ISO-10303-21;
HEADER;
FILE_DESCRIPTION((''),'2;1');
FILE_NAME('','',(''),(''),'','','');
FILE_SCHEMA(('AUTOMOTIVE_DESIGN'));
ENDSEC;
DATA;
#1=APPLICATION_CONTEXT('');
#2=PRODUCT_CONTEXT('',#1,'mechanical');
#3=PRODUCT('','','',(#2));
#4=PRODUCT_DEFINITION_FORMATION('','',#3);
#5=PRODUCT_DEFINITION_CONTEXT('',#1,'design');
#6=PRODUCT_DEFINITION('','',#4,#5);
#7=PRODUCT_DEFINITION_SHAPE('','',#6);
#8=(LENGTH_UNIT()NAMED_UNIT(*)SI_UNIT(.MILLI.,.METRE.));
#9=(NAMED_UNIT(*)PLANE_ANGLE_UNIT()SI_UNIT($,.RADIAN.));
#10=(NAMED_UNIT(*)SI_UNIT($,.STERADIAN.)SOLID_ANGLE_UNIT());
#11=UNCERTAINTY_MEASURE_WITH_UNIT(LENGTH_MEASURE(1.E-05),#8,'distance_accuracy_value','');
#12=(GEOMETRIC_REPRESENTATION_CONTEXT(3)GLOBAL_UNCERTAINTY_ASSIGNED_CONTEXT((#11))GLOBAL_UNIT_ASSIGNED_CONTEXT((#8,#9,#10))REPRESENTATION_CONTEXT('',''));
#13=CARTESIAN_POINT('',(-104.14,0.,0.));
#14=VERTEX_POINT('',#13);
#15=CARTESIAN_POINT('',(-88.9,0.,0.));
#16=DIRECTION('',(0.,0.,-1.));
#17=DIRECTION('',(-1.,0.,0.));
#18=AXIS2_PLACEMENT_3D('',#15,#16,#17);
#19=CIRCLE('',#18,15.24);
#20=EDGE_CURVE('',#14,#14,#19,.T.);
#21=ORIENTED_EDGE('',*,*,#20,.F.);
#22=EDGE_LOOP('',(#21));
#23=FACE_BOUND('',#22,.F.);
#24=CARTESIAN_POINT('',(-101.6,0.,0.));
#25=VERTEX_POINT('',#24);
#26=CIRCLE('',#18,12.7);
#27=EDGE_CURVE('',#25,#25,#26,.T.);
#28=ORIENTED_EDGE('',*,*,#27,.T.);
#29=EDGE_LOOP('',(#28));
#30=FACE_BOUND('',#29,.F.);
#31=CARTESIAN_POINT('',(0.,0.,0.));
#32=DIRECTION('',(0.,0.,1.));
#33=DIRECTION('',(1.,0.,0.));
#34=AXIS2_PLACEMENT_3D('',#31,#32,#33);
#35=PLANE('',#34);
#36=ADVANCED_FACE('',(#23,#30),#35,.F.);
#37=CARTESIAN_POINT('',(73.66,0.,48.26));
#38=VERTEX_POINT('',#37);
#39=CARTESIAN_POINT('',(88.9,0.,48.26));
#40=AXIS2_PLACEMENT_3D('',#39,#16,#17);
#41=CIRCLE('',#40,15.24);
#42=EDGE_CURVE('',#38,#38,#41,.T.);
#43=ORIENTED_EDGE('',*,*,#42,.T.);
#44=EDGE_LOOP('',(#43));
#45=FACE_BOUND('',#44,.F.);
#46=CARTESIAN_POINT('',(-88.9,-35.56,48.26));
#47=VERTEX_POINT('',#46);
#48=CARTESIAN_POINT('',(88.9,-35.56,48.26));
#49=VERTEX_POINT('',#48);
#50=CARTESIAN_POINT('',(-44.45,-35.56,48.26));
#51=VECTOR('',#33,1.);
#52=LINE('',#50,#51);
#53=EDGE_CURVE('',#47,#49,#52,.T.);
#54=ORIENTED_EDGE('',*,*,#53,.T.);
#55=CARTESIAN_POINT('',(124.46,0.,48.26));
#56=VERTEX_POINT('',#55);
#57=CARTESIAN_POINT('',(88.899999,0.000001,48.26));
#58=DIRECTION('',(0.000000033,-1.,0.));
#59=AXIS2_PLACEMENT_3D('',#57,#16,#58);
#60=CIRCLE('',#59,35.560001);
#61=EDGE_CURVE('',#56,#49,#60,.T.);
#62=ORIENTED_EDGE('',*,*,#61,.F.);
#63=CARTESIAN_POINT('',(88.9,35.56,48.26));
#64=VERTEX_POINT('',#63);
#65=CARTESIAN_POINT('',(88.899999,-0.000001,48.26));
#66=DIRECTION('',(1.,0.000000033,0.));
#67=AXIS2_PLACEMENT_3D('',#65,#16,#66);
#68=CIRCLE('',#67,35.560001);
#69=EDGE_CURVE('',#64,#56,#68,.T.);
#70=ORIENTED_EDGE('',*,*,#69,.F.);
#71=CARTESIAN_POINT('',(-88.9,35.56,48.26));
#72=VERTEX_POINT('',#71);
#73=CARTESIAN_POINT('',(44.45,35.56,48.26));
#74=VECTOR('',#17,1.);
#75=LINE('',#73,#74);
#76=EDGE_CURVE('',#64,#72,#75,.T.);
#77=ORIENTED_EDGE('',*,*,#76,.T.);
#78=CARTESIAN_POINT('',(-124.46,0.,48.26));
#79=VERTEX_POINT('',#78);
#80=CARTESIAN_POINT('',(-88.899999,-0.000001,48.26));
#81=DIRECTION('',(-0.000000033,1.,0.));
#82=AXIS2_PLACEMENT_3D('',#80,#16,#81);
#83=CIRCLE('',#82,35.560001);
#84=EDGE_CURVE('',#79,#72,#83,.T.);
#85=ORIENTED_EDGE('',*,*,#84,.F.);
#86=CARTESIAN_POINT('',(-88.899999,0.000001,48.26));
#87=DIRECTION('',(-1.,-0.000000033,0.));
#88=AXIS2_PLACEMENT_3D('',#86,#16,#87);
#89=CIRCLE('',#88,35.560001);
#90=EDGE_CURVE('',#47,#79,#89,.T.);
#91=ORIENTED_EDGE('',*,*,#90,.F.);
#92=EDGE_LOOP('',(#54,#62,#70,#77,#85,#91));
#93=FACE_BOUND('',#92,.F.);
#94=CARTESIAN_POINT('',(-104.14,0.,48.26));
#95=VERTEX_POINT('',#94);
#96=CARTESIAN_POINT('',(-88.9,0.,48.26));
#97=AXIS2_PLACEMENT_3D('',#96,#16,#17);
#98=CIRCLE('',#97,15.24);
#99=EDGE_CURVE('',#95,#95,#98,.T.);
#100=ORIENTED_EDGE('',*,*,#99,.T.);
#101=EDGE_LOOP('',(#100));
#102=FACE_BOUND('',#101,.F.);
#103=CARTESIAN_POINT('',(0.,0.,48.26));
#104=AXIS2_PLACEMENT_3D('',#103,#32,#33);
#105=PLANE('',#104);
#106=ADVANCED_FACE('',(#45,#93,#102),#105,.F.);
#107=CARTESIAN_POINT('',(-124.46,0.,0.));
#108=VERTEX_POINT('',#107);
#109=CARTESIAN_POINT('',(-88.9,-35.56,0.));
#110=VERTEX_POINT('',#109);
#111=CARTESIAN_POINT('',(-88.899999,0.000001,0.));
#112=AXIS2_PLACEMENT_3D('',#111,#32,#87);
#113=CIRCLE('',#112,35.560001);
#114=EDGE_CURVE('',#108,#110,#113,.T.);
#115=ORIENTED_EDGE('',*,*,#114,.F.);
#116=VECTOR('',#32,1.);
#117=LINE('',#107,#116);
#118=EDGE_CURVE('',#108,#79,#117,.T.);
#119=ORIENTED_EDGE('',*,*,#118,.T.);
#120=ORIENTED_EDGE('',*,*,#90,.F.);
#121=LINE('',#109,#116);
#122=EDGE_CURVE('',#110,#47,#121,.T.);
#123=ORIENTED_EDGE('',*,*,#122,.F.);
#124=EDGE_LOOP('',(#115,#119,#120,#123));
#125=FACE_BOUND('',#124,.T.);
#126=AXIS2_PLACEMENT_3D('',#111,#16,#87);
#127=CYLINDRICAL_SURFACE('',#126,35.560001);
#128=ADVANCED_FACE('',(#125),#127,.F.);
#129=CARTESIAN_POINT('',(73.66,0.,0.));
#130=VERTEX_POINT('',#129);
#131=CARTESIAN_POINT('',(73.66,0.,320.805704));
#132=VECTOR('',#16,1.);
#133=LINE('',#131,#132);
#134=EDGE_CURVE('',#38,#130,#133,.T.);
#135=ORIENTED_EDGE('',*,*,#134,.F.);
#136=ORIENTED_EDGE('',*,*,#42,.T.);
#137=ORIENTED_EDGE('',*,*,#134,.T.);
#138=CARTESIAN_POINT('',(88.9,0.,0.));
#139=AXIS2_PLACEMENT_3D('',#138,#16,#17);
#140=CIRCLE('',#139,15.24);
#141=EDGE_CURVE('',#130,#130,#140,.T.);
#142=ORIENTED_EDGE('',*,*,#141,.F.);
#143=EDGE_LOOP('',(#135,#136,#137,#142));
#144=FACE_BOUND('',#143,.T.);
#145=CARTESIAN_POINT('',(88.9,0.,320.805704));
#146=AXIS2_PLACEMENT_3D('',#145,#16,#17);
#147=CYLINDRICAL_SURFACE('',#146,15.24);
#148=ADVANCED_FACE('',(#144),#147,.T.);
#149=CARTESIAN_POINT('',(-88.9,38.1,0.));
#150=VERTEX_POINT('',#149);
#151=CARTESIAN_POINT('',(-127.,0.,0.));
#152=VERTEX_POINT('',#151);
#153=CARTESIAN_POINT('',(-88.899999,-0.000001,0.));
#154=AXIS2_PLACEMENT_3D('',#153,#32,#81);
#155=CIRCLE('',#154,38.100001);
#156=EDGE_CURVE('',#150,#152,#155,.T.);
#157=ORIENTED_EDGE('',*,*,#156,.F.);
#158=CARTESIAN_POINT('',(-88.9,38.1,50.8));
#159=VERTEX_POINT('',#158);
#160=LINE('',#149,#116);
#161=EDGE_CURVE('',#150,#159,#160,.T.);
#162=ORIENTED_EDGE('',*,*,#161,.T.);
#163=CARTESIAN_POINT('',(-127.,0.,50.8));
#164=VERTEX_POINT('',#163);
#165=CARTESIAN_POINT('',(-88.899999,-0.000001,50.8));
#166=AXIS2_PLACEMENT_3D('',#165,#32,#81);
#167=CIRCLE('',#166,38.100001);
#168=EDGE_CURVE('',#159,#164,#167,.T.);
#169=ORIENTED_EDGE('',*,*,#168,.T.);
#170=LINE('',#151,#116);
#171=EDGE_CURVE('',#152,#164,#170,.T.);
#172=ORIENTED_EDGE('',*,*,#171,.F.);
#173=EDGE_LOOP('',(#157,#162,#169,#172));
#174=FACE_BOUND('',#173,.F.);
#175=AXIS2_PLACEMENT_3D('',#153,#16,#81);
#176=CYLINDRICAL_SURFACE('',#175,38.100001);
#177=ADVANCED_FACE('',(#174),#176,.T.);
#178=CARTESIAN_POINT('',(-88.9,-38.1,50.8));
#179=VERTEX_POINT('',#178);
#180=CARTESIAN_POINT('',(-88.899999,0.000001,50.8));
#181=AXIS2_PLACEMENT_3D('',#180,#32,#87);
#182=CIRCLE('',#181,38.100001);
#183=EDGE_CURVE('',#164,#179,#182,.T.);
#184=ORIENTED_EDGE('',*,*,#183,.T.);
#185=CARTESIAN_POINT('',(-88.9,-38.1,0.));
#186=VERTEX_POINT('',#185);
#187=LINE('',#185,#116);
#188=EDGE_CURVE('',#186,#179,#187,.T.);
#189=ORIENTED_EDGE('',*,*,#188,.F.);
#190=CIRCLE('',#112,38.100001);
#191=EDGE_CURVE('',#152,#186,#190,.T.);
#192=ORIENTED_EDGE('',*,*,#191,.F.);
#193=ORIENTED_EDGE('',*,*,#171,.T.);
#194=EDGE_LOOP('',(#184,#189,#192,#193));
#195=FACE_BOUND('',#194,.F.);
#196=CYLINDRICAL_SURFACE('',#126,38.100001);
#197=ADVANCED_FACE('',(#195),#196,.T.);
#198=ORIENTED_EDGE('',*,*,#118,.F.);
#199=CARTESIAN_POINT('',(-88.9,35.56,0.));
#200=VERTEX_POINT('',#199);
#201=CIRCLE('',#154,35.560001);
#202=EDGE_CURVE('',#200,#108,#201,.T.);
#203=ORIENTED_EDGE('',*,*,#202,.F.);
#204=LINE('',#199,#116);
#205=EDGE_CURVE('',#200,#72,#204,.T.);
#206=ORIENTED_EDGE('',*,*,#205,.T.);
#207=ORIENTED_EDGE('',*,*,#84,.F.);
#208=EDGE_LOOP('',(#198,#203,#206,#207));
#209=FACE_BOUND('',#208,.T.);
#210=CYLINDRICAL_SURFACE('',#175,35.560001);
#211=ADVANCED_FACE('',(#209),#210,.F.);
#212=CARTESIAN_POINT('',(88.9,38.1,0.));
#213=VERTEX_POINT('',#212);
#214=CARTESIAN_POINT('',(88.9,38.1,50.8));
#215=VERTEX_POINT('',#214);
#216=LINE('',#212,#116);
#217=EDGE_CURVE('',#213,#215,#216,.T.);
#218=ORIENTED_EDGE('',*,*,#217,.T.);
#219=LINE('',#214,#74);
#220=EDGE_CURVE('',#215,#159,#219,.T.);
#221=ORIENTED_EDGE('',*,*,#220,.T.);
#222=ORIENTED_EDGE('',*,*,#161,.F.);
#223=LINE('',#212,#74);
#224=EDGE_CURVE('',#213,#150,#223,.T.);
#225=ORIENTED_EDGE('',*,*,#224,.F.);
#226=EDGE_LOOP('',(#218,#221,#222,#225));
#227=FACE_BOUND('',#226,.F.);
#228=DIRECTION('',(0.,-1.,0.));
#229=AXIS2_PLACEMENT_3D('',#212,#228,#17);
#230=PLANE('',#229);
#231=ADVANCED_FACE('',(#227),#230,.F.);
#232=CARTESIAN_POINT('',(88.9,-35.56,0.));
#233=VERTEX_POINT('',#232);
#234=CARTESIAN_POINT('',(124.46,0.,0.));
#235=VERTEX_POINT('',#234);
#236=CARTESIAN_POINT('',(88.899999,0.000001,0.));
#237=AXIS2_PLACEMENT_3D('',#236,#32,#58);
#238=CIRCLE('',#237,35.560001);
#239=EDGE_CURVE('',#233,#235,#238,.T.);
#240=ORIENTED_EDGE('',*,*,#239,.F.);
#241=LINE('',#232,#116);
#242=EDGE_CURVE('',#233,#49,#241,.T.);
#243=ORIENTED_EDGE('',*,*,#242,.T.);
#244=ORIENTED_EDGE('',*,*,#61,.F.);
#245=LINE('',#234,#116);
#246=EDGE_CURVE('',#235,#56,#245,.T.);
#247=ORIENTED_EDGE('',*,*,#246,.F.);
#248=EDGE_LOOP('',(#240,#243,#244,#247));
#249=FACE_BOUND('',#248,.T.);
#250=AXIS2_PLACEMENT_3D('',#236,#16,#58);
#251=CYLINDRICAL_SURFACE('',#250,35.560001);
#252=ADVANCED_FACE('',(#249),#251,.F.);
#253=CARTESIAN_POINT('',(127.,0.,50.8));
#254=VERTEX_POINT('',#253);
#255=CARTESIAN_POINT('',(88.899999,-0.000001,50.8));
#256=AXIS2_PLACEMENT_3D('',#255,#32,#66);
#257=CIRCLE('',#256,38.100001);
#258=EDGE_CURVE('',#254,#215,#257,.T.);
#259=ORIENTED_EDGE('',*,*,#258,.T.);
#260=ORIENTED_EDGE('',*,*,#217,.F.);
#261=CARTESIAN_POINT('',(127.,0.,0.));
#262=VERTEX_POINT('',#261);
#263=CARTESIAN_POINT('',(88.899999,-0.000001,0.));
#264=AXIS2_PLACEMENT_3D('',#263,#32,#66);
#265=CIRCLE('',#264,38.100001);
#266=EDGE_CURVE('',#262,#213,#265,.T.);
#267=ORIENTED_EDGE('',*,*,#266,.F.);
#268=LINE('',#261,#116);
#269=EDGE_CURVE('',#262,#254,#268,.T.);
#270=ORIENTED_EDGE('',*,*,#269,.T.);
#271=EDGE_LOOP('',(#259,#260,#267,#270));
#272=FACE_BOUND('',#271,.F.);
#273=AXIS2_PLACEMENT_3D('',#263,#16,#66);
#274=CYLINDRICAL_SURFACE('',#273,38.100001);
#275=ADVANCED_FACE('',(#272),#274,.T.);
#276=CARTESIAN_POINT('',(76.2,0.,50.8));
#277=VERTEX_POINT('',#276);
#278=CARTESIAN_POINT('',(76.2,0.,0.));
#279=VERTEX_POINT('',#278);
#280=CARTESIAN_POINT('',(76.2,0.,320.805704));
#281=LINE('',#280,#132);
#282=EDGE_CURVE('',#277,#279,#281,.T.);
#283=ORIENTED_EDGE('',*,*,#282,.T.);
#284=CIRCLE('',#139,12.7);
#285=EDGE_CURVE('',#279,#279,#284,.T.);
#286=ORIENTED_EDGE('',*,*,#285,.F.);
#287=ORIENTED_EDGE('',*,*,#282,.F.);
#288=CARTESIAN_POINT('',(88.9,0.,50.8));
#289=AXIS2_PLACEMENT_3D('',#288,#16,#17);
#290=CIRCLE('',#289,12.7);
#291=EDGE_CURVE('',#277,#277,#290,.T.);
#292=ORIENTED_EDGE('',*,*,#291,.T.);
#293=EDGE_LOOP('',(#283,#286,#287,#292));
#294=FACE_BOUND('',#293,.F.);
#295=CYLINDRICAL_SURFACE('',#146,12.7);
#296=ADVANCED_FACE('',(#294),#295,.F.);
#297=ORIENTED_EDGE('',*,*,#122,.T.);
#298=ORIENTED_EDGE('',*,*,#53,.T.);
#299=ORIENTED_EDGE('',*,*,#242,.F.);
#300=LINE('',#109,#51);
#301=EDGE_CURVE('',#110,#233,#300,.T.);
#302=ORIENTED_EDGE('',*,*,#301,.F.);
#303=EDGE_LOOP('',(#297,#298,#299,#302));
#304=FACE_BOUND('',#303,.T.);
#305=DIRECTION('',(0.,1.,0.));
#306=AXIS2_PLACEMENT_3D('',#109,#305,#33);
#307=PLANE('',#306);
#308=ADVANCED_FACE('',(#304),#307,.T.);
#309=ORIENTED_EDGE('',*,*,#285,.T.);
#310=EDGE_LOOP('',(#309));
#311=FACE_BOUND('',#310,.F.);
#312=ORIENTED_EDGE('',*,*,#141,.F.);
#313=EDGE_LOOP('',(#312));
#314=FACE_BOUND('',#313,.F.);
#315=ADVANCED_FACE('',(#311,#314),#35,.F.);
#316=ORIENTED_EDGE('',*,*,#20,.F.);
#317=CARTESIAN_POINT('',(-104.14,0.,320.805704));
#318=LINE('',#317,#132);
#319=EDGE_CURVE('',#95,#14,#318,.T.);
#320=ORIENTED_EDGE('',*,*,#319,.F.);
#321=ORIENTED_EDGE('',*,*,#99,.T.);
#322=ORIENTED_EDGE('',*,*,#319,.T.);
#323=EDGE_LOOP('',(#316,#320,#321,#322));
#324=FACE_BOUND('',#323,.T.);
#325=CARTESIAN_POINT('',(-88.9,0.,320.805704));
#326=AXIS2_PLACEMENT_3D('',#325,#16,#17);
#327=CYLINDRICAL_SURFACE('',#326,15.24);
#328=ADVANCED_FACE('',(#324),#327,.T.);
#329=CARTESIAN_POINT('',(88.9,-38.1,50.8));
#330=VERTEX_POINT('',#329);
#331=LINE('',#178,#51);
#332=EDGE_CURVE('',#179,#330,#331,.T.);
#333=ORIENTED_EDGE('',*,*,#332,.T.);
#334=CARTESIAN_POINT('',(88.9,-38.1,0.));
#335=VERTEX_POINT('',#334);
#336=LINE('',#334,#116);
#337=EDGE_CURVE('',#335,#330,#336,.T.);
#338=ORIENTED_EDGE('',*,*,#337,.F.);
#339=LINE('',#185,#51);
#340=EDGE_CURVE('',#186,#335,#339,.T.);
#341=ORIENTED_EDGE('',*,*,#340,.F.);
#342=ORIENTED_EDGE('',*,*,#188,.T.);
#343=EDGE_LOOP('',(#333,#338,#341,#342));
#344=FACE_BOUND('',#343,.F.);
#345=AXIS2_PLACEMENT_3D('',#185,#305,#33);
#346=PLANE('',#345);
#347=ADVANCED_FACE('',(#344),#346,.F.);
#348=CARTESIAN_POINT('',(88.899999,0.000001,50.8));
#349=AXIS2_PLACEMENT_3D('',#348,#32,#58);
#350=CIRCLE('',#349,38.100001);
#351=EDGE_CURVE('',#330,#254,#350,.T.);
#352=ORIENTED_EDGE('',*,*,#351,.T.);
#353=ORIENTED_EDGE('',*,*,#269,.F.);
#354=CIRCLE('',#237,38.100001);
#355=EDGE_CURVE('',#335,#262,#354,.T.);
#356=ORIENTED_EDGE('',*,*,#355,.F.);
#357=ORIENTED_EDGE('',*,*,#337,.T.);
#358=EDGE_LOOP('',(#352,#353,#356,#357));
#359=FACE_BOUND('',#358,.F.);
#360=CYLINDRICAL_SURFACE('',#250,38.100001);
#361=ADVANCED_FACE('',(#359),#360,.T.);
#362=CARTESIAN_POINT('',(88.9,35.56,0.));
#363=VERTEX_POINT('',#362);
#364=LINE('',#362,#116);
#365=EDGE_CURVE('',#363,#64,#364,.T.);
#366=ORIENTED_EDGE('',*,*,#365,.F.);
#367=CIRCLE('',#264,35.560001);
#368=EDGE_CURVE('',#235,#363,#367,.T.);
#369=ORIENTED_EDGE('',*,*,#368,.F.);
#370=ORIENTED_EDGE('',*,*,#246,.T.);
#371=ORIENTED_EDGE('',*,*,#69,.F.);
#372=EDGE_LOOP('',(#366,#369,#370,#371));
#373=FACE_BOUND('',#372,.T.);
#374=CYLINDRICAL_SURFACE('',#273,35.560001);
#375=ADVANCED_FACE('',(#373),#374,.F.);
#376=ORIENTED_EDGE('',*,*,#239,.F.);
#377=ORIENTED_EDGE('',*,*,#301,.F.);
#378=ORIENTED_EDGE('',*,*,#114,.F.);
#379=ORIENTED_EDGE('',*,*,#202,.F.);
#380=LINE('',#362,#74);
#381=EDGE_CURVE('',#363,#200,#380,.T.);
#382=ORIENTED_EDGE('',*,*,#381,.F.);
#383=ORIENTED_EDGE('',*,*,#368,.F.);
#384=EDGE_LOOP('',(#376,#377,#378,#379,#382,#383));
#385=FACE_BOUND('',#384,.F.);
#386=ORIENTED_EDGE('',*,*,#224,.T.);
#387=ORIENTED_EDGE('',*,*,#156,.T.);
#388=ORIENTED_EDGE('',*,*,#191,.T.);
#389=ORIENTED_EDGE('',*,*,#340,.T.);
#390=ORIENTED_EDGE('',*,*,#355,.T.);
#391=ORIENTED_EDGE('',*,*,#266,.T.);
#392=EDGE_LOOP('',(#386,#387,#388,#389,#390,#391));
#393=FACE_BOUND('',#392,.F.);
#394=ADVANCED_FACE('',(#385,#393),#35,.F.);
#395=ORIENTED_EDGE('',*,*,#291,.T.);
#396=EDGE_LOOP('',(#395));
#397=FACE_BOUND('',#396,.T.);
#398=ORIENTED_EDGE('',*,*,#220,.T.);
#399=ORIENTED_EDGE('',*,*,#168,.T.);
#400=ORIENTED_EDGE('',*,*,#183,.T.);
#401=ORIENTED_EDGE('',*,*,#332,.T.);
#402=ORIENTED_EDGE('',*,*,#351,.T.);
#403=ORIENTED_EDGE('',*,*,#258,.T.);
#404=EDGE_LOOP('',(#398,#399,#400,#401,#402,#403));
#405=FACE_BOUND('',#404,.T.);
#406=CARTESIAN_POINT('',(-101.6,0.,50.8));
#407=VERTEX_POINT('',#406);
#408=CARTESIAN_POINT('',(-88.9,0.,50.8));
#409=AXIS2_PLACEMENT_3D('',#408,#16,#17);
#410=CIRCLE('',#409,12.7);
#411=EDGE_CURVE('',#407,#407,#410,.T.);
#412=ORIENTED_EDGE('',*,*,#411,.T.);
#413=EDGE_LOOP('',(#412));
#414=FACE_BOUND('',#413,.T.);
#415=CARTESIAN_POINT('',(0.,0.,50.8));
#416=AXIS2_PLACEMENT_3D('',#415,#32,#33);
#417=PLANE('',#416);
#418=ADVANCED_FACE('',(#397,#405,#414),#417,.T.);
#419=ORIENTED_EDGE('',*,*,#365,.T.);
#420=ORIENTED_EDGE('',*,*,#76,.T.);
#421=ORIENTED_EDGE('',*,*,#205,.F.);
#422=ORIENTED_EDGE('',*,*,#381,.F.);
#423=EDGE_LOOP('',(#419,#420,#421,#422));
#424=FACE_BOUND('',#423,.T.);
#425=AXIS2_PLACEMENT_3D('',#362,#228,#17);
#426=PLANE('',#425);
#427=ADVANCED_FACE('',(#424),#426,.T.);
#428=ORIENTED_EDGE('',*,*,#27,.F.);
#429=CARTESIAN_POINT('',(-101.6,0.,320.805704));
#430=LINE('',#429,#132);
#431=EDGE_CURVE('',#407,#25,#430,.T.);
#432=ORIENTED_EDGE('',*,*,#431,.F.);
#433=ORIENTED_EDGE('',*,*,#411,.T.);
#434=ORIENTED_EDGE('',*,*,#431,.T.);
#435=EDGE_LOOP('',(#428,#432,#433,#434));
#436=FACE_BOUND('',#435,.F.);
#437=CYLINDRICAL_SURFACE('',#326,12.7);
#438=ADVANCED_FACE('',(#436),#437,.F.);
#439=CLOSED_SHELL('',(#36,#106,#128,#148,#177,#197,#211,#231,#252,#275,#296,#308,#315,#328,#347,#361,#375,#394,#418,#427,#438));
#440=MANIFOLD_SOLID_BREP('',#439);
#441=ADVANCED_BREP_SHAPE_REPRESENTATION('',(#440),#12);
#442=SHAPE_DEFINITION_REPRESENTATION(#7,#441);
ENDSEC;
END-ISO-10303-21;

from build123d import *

# Parameters (mm, degrees)
F1_DEPTH = 50.8
F3_D     = 25.4
F4_T     = -2.54


with BuildPart() as f1:
    # F0 (on Top) → F1 (new body)
    with BuildSketch(Plane.XY):
        with BuildLine():
            Line((88.9, 38.1), (-88.9, 38.1))
            ThreePointArc((-88.9, 38.1), (-115.840768, 26.940768), (-127, 0))
            ThreePointArc((-127, 0), (-115.840768, -26.940768), (-88.9, -38.1))
            Line((-88.9, -38.1), (88.9, -38.1))
            ThreePointArc((88.9, -38.1), (115.840768, -26.940768), (127, 0))
            ThreePointArc((127, 0), (115.840768, 26.940768), (88.9, 38.1))
        make_face()
    extrude(amount=F1_DEPTH)

    # F3 (through all)
    with Locations(Plane.XY.offset(50.8)):
        with Locations((-88.9, 0), (88.9, 0)):
            Hole(F3_D / 2)

    # F4
    f4_openings = [f1.faces().sort_by_distance(p)[0] for p in [
        (0, 0, 0),
    ]]
    offset(amount=F4_T, openings=f4_openings)


solid = f1.part
